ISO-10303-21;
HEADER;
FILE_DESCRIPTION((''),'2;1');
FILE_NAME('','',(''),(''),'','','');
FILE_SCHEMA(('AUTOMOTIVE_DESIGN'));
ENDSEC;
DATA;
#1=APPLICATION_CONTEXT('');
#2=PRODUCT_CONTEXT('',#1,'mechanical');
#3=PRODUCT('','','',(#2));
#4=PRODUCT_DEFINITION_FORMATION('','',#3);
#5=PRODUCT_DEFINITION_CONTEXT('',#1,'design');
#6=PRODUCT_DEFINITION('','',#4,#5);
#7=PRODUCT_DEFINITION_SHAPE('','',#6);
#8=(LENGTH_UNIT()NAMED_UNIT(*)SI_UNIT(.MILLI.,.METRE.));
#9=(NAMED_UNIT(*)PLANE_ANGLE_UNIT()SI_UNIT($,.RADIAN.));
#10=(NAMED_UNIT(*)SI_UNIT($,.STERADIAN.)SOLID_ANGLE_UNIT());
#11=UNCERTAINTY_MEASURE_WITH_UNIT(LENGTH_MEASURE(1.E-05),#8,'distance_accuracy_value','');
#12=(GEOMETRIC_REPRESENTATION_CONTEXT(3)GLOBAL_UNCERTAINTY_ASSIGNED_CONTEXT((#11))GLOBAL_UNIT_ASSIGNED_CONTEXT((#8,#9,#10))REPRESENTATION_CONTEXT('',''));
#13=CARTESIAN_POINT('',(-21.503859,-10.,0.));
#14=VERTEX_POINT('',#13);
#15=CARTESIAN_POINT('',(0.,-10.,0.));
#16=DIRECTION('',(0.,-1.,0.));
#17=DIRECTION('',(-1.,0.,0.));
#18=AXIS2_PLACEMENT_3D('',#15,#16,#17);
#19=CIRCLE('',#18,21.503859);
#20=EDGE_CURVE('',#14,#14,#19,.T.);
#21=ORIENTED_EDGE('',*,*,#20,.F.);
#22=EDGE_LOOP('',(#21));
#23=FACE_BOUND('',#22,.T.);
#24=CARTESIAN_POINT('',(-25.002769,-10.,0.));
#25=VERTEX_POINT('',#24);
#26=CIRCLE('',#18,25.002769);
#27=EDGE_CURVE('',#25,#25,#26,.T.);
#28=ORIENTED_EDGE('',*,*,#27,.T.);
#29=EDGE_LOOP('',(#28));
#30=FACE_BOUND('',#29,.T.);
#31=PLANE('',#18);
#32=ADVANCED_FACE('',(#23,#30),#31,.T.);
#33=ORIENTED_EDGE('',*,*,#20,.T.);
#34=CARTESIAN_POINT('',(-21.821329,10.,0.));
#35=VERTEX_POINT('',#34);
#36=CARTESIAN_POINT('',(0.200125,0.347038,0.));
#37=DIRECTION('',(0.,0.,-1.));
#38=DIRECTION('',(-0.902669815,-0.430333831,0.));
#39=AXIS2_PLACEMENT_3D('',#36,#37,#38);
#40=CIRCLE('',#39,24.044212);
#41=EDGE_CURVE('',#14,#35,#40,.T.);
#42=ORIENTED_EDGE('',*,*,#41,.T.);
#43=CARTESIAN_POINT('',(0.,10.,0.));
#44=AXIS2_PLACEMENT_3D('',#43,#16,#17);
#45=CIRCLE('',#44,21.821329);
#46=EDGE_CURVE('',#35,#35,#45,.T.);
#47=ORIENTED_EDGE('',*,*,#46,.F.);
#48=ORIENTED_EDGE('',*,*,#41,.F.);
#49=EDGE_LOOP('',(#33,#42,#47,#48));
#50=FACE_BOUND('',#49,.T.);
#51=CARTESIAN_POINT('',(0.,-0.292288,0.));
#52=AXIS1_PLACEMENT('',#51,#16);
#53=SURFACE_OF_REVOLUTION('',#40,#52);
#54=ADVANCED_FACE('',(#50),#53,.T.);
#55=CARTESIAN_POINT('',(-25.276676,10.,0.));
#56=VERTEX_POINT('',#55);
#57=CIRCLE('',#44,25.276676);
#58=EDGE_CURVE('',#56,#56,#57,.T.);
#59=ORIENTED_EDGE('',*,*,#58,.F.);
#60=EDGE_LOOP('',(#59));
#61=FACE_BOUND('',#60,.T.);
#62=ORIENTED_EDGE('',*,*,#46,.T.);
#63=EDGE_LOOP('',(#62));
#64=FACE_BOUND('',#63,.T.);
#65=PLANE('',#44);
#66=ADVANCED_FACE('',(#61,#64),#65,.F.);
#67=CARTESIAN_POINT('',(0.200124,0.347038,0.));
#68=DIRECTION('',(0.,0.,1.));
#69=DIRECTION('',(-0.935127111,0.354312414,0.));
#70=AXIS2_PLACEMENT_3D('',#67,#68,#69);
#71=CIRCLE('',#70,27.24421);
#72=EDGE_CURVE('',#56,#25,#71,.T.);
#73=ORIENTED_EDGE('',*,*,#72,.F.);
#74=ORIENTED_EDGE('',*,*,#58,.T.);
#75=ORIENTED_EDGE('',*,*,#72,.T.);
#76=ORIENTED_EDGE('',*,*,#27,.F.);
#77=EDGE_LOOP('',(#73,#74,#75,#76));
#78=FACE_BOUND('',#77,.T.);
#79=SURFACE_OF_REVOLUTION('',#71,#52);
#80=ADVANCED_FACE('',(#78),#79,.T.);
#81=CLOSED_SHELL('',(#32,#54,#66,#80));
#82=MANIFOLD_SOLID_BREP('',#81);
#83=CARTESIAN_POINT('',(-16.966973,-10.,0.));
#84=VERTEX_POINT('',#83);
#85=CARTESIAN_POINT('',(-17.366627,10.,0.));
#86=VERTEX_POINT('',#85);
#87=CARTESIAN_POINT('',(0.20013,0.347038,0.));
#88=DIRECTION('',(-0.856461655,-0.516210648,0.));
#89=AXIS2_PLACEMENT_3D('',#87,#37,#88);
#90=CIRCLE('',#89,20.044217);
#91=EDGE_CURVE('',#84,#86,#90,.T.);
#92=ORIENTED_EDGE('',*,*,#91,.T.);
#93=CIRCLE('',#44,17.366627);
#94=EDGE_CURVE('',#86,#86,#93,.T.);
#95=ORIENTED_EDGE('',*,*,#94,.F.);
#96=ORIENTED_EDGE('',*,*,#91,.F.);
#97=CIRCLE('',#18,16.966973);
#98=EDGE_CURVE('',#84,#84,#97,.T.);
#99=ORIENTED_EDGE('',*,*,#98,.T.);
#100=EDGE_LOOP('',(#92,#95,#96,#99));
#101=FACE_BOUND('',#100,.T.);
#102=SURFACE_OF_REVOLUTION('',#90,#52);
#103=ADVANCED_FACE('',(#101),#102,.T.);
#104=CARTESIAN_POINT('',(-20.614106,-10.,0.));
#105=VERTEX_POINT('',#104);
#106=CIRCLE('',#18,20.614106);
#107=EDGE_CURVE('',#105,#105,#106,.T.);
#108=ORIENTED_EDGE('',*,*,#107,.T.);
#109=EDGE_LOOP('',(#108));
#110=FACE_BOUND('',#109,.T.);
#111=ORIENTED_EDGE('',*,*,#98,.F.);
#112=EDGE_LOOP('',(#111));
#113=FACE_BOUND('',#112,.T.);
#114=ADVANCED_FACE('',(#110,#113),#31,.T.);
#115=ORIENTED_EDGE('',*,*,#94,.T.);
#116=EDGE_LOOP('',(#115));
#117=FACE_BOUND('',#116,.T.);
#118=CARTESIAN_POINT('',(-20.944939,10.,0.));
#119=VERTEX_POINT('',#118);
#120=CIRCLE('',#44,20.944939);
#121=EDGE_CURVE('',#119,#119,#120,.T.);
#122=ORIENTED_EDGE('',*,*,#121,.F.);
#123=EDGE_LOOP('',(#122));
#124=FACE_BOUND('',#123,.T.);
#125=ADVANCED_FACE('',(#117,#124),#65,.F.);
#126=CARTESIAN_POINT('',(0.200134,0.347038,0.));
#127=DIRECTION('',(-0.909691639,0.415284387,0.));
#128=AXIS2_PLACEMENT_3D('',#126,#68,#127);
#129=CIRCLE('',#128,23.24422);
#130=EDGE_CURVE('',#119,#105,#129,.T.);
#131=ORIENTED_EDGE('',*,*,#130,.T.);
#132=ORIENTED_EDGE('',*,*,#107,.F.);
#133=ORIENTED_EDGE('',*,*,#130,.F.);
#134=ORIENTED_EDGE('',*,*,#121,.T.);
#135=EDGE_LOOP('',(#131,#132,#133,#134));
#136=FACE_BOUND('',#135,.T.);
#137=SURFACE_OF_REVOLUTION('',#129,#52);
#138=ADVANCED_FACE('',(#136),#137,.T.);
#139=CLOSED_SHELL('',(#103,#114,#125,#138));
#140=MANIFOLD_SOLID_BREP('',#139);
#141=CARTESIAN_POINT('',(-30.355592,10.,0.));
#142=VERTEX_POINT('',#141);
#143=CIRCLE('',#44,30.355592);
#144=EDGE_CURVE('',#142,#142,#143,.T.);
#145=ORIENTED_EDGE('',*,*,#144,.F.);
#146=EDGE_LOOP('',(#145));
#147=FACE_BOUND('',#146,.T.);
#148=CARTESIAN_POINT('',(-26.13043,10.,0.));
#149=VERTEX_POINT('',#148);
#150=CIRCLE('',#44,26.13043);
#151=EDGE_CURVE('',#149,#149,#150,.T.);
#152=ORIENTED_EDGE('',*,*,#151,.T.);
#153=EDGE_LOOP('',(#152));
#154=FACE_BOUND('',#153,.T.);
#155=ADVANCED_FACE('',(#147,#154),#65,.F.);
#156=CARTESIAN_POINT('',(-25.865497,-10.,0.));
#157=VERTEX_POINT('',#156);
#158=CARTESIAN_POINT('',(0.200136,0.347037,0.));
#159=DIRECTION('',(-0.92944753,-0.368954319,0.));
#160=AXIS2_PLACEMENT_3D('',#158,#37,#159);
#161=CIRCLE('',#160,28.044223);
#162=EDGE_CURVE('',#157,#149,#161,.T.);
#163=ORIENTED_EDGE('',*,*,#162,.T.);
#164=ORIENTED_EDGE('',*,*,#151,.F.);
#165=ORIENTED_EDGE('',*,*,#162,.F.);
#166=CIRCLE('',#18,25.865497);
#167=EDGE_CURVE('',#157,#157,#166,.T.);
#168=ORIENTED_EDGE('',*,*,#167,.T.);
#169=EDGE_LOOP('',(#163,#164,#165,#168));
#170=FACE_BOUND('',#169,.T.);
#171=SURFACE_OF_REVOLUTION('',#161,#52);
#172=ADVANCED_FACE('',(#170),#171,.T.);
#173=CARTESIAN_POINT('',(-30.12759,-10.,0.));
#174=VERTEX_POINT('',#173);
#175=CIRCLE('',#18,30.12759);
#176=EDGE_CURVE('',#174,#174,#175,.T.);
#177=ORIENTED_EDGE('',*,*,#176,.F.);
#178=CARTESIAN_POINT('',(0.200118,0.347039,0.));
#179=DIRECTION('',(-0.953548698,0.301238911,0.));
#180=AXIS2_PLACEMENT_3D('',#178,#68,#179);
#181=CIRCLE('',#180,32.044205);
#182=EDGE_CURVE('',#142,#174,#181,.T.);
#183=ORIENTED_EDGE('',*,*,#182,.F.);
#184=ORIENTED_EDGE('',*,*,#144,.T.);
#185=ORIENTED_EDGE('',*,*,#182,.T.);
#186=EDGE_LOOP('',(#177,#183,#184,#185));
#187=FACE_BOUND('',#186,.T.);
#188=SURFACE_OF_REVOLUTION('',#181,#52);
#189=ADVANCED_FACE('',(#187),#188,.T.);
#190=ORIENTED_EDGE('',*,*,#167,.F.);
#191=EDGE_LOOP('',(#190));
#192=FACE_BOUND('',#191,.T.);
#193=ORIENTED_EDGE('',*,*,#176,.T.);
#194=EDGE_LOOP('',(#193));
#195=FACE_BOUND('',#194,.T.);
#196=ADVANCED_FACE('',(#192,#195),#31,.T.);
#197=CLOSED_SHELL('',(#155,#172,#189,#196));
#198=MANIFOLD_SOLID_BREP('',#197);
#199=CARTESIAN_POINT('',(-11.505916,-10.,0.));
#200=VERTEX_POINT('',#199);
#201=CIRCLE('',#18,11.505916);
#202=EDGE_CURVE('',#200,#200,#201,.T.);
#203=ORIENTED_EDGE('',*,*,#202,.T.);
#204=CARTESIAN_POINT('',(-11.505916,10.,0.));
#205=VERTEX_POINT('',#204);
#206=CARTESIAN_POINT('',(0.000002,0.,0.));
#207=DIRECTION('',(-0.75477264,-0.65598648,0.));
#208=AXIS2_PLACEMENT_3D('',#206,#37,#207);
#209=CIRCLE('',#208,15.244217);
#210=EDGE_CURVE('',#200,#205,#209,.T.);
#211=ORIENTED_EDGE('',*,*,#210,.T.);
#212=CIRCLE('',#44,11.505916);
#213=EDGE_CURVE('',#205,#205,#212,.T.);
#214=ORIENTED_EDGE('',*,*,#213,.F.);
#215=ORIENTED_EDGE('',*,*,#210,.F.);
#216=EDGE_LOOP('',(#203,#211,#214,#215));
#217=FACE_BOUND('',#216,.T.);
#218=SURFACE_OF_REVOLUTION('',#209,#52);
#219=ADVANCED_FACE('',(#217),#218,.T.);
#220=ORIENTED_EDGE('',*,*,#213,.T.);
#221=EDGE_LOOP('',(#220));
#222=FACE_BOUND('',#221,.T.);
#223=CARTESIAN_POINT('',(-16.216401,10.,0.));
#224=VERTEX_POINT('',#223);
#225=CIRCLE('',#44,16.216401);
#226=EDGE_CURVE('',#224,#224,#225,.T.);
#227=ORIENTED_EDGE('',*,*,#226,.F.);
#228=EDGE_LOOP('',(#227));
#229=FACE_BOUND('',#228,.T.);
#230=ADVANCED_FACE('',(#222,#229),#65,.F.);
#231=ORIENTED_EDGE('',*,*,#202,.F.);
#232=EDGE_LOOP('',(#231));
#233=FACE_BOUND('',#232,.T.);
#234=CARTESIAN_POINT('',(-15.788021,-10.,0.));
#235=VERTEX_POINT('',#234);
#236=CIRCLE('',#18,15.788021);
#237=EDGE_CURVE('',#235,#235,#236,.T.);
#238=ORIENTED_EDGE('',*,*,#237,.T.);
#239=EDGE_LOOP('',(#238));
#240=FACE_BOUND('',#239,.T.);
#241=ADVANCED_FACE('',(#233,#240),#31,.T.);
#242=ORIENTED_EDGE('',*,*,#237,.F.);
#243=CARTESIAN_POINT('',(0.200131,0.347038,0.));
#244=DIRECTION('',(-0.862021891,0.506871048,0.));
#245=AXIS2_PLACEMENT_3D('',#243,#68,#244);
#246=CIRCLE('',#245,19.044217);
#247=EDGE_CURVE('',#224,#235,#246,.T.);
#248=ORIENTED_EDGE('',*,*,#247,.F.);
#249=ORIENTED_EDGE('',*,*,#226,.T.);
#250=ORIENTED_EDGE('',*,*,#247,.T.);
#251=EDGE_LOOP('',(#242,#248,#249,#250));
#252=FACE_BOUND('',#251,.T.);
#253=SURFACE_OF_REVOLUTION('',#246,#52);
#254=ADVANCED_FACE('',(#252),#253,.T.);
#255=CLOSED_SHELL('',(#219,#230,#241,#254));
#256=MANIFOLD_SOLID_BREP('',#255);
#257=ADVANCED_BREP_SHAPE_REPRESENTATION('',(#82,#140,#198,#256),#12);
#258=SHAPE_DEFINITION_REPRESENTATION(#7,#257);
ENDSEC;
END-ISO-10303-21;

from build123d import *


with BuildPart() as f1:
    # F0 (on Top) → F1 (revolve)
    with BuildSketch(Plane.XY):
        with BuildLine():
            ThreePointArc((-25.865497, -10), (-27.841626, -0.024422), (-26.13043, 10))
            Line((-26.13043, 10), (-30.355592, 10))
            ThreePointArc((-30.355592, 10), (-31.842005, -0.018245), (-30.12759, -10))
            Line((-30.12759, -10), (-25.865497, -10))
        make_face()
        with BuildLine():
            ThreePointArc((-21.503859, -10), (-23.841058, -0.03458), (-21.821329, 10))
            Line((-21.821329, 10), (-25.276676, 10))
            ThreePointArc((-25.276676, 10), (-27.041532, -0.026046), (-25.002769, -10))
            Line((-25.002769, -10), (-21.503859, -10))
        make_face()
        with BuildLine():
            ThreePointArc((-16.966973, -10), (-19.840086, -0.053419), (-17.366627, 10))
            Line((-17.366627, 10), (-20.944939, 10))
            ThreePointArc((-20.944939, 10), (-23.040907, -0.037407), (-20.614106, -10))
            Line((-20.614106, -10), (-16.966973, -10))
        make_face()
        with BuildLine():
            ThreePointArc((-11.505916, -10), (-15.244215, 0), (-11.505916, 10))
            Line((-11.505916, 10), (-16.216401, 10))
            ThreePointArc((-16.216401, 10), (-18.839719, -0.060777), (-15.788021, -10))
            Line((-15.788021, -10), (-11.505916, -10))
        make_face()
    revolve(axis=Axis((0, -0.292288, 0), (0, -1, 0)))


solid = f1.part
